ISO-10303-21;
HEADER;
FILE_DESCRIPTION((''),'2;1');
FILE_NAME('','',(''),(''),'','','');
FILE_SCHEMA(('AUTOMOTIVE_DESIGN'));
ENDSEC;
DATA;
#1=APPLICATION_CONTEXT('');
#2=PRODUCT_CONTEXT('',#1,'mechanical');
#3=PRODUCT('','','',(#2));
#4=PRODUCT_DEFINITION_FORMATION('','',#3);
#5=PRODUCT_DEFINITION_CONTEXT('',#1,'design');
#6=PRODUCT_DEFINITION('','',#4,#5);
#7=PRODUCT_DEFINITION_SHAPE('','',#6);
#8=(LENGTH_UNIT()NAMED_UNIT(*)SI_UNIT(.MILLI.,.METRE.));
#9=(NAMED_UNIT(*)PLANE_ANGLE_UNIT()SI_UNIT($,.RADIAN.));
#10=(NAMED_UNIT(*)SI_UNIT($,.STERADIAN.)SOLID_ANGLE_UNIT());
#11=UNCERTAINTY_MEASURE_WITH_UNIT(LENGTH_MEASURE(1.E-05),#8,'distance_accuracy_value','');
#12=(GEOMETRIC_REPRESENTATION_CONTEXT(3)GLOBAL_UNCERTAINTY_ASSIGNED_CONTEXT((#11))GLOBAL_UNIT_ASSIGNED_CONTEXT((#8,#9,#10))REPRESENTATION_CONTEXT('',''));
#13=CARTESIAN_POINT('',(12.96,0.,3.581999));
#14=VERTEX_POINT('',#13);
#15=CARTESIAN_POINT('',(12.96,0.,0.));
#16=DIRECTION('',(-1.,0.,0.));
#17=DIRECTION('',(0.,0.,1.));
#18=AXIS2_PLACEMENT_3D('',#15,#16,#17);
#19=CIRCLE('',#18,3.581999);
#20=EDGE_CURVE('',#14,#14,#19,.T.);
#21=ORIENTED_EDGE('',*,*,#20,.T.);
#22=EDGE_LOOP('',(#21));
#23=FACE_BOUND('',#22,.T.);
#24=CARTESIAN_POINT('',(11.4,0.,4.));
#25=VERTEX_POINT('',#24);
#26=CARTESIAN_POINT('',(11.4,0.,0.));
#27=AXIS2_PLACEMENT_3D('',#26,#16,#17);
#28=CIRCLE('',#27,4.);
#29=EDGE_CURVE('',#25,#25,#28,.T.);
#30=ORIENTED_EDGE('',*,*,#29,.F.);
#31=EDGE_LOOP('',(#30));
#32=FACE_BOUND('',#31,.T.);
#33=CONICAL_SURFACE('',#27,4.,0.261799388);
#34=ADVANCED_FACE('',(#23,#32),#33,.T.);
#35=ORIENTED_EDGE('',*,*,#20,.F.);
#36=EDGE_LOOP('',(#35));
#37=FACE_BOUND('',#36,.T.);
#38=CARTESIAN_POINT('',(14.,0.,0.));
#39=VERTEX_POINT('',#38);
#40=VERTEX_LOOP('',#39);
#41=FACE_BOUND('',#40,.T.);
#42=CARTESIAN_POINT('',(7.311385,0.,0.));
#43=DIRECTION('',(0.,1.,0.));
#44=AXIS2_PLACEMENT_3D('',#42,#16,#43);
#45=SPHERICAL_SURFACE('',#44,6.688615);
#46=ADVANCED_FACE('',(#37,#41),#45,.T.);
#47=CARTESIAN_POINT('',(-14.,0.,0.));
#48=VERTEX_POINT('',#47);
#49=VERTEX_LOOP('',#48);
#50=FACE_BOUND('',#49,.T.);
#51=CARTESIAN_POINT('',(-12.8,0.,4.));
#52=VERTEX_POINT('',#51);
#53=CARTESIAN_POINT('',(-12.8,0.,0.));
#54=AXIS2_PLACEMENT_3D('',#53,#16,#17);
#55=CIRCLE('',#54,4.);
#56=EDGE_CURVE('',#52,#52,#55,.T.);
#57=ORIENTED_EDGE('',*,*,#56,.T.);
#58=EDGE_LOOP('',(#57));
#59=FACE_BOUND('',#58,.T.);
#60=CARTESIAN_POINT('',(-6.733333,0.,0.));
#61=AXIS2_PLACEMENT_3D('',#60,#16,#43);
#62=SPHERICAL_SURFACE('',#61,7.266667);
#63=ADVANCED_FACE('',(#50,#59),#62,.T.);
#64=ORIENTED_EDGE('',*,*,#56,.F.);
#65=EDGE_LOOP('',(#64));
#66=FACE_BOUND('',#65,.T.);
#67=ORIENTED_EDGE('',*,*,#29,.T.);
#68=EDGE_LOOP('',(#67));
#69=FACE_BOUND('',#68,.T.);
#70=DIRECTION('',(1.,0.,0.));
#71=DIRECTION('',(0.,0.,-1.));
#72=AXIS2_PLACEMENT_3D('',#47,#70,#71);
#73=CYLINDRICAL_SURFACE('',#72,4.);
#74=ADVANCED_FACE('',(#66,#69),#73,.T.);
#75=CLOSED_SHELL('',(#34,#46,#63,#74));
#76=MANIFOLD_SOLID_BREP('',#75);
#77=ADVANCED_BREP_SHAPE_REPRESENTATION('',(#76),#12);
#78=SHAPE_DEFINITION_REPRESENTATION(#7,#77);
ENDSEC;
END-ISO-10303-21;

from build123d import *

# Parameters (mm, degrees)
SKETCH2_R           = 4
EXTRUDE1_DEPTH      = 14
EXTRUDE1_DEPTH_BACK = 14


with BuildPart() as part:
    # Sketch2 → Extrude1 (new body, two sides)
    with BuildSketch(Plane(origin=(0, 0, 0), x_dir=(0, 0, -1), z_dir=(1, 0, 0))) as extrude1_sk:
        Circle(SKETCH2_R)
    extrude(amount=EXTRUDE1_DEPTH)
    extrude(extrude1_sk.sketch, amount=-EXTRUDE1_DEPTH_BACK)

    # Sketch5 → Cut-Revolve1 (revolve, cut)
    with BuildSketch(Plane.XY):
        with BuildLine():
            Line((11.4, 4), (11.4, 4.5))
            Line((11.4, 4.5), (14.5, 4.5))
            Line((14.5, 4.5), (14.5, 0))
            Line((14.5, 0), (14, 0))
            ThreePointArc((14, 0), (13.734740106, 1.864961038), (12.96, 3.58199926))
            Line((12.96, 3.58199926), (11.4, 4))
        make_face()
        with BuildLine():
            Line((-12.8, 4), (-12.8, 4.5))
            Line((-12.8, 4.5), (-14.5, 4.5))
            Line((-14.5, 4.5), (-14.5, 0))
            Line((-14.5, 0), (-14, 0))
            ThreePointArc((-14, 0), (-13.693537673, 2.088061302), (-12.8, 4))
        make_face()
    revolve(axis=Axis((-14, 0, 0), (1, 0, 0)), mode=Mode.SUBTRACT)


solid = part.part
